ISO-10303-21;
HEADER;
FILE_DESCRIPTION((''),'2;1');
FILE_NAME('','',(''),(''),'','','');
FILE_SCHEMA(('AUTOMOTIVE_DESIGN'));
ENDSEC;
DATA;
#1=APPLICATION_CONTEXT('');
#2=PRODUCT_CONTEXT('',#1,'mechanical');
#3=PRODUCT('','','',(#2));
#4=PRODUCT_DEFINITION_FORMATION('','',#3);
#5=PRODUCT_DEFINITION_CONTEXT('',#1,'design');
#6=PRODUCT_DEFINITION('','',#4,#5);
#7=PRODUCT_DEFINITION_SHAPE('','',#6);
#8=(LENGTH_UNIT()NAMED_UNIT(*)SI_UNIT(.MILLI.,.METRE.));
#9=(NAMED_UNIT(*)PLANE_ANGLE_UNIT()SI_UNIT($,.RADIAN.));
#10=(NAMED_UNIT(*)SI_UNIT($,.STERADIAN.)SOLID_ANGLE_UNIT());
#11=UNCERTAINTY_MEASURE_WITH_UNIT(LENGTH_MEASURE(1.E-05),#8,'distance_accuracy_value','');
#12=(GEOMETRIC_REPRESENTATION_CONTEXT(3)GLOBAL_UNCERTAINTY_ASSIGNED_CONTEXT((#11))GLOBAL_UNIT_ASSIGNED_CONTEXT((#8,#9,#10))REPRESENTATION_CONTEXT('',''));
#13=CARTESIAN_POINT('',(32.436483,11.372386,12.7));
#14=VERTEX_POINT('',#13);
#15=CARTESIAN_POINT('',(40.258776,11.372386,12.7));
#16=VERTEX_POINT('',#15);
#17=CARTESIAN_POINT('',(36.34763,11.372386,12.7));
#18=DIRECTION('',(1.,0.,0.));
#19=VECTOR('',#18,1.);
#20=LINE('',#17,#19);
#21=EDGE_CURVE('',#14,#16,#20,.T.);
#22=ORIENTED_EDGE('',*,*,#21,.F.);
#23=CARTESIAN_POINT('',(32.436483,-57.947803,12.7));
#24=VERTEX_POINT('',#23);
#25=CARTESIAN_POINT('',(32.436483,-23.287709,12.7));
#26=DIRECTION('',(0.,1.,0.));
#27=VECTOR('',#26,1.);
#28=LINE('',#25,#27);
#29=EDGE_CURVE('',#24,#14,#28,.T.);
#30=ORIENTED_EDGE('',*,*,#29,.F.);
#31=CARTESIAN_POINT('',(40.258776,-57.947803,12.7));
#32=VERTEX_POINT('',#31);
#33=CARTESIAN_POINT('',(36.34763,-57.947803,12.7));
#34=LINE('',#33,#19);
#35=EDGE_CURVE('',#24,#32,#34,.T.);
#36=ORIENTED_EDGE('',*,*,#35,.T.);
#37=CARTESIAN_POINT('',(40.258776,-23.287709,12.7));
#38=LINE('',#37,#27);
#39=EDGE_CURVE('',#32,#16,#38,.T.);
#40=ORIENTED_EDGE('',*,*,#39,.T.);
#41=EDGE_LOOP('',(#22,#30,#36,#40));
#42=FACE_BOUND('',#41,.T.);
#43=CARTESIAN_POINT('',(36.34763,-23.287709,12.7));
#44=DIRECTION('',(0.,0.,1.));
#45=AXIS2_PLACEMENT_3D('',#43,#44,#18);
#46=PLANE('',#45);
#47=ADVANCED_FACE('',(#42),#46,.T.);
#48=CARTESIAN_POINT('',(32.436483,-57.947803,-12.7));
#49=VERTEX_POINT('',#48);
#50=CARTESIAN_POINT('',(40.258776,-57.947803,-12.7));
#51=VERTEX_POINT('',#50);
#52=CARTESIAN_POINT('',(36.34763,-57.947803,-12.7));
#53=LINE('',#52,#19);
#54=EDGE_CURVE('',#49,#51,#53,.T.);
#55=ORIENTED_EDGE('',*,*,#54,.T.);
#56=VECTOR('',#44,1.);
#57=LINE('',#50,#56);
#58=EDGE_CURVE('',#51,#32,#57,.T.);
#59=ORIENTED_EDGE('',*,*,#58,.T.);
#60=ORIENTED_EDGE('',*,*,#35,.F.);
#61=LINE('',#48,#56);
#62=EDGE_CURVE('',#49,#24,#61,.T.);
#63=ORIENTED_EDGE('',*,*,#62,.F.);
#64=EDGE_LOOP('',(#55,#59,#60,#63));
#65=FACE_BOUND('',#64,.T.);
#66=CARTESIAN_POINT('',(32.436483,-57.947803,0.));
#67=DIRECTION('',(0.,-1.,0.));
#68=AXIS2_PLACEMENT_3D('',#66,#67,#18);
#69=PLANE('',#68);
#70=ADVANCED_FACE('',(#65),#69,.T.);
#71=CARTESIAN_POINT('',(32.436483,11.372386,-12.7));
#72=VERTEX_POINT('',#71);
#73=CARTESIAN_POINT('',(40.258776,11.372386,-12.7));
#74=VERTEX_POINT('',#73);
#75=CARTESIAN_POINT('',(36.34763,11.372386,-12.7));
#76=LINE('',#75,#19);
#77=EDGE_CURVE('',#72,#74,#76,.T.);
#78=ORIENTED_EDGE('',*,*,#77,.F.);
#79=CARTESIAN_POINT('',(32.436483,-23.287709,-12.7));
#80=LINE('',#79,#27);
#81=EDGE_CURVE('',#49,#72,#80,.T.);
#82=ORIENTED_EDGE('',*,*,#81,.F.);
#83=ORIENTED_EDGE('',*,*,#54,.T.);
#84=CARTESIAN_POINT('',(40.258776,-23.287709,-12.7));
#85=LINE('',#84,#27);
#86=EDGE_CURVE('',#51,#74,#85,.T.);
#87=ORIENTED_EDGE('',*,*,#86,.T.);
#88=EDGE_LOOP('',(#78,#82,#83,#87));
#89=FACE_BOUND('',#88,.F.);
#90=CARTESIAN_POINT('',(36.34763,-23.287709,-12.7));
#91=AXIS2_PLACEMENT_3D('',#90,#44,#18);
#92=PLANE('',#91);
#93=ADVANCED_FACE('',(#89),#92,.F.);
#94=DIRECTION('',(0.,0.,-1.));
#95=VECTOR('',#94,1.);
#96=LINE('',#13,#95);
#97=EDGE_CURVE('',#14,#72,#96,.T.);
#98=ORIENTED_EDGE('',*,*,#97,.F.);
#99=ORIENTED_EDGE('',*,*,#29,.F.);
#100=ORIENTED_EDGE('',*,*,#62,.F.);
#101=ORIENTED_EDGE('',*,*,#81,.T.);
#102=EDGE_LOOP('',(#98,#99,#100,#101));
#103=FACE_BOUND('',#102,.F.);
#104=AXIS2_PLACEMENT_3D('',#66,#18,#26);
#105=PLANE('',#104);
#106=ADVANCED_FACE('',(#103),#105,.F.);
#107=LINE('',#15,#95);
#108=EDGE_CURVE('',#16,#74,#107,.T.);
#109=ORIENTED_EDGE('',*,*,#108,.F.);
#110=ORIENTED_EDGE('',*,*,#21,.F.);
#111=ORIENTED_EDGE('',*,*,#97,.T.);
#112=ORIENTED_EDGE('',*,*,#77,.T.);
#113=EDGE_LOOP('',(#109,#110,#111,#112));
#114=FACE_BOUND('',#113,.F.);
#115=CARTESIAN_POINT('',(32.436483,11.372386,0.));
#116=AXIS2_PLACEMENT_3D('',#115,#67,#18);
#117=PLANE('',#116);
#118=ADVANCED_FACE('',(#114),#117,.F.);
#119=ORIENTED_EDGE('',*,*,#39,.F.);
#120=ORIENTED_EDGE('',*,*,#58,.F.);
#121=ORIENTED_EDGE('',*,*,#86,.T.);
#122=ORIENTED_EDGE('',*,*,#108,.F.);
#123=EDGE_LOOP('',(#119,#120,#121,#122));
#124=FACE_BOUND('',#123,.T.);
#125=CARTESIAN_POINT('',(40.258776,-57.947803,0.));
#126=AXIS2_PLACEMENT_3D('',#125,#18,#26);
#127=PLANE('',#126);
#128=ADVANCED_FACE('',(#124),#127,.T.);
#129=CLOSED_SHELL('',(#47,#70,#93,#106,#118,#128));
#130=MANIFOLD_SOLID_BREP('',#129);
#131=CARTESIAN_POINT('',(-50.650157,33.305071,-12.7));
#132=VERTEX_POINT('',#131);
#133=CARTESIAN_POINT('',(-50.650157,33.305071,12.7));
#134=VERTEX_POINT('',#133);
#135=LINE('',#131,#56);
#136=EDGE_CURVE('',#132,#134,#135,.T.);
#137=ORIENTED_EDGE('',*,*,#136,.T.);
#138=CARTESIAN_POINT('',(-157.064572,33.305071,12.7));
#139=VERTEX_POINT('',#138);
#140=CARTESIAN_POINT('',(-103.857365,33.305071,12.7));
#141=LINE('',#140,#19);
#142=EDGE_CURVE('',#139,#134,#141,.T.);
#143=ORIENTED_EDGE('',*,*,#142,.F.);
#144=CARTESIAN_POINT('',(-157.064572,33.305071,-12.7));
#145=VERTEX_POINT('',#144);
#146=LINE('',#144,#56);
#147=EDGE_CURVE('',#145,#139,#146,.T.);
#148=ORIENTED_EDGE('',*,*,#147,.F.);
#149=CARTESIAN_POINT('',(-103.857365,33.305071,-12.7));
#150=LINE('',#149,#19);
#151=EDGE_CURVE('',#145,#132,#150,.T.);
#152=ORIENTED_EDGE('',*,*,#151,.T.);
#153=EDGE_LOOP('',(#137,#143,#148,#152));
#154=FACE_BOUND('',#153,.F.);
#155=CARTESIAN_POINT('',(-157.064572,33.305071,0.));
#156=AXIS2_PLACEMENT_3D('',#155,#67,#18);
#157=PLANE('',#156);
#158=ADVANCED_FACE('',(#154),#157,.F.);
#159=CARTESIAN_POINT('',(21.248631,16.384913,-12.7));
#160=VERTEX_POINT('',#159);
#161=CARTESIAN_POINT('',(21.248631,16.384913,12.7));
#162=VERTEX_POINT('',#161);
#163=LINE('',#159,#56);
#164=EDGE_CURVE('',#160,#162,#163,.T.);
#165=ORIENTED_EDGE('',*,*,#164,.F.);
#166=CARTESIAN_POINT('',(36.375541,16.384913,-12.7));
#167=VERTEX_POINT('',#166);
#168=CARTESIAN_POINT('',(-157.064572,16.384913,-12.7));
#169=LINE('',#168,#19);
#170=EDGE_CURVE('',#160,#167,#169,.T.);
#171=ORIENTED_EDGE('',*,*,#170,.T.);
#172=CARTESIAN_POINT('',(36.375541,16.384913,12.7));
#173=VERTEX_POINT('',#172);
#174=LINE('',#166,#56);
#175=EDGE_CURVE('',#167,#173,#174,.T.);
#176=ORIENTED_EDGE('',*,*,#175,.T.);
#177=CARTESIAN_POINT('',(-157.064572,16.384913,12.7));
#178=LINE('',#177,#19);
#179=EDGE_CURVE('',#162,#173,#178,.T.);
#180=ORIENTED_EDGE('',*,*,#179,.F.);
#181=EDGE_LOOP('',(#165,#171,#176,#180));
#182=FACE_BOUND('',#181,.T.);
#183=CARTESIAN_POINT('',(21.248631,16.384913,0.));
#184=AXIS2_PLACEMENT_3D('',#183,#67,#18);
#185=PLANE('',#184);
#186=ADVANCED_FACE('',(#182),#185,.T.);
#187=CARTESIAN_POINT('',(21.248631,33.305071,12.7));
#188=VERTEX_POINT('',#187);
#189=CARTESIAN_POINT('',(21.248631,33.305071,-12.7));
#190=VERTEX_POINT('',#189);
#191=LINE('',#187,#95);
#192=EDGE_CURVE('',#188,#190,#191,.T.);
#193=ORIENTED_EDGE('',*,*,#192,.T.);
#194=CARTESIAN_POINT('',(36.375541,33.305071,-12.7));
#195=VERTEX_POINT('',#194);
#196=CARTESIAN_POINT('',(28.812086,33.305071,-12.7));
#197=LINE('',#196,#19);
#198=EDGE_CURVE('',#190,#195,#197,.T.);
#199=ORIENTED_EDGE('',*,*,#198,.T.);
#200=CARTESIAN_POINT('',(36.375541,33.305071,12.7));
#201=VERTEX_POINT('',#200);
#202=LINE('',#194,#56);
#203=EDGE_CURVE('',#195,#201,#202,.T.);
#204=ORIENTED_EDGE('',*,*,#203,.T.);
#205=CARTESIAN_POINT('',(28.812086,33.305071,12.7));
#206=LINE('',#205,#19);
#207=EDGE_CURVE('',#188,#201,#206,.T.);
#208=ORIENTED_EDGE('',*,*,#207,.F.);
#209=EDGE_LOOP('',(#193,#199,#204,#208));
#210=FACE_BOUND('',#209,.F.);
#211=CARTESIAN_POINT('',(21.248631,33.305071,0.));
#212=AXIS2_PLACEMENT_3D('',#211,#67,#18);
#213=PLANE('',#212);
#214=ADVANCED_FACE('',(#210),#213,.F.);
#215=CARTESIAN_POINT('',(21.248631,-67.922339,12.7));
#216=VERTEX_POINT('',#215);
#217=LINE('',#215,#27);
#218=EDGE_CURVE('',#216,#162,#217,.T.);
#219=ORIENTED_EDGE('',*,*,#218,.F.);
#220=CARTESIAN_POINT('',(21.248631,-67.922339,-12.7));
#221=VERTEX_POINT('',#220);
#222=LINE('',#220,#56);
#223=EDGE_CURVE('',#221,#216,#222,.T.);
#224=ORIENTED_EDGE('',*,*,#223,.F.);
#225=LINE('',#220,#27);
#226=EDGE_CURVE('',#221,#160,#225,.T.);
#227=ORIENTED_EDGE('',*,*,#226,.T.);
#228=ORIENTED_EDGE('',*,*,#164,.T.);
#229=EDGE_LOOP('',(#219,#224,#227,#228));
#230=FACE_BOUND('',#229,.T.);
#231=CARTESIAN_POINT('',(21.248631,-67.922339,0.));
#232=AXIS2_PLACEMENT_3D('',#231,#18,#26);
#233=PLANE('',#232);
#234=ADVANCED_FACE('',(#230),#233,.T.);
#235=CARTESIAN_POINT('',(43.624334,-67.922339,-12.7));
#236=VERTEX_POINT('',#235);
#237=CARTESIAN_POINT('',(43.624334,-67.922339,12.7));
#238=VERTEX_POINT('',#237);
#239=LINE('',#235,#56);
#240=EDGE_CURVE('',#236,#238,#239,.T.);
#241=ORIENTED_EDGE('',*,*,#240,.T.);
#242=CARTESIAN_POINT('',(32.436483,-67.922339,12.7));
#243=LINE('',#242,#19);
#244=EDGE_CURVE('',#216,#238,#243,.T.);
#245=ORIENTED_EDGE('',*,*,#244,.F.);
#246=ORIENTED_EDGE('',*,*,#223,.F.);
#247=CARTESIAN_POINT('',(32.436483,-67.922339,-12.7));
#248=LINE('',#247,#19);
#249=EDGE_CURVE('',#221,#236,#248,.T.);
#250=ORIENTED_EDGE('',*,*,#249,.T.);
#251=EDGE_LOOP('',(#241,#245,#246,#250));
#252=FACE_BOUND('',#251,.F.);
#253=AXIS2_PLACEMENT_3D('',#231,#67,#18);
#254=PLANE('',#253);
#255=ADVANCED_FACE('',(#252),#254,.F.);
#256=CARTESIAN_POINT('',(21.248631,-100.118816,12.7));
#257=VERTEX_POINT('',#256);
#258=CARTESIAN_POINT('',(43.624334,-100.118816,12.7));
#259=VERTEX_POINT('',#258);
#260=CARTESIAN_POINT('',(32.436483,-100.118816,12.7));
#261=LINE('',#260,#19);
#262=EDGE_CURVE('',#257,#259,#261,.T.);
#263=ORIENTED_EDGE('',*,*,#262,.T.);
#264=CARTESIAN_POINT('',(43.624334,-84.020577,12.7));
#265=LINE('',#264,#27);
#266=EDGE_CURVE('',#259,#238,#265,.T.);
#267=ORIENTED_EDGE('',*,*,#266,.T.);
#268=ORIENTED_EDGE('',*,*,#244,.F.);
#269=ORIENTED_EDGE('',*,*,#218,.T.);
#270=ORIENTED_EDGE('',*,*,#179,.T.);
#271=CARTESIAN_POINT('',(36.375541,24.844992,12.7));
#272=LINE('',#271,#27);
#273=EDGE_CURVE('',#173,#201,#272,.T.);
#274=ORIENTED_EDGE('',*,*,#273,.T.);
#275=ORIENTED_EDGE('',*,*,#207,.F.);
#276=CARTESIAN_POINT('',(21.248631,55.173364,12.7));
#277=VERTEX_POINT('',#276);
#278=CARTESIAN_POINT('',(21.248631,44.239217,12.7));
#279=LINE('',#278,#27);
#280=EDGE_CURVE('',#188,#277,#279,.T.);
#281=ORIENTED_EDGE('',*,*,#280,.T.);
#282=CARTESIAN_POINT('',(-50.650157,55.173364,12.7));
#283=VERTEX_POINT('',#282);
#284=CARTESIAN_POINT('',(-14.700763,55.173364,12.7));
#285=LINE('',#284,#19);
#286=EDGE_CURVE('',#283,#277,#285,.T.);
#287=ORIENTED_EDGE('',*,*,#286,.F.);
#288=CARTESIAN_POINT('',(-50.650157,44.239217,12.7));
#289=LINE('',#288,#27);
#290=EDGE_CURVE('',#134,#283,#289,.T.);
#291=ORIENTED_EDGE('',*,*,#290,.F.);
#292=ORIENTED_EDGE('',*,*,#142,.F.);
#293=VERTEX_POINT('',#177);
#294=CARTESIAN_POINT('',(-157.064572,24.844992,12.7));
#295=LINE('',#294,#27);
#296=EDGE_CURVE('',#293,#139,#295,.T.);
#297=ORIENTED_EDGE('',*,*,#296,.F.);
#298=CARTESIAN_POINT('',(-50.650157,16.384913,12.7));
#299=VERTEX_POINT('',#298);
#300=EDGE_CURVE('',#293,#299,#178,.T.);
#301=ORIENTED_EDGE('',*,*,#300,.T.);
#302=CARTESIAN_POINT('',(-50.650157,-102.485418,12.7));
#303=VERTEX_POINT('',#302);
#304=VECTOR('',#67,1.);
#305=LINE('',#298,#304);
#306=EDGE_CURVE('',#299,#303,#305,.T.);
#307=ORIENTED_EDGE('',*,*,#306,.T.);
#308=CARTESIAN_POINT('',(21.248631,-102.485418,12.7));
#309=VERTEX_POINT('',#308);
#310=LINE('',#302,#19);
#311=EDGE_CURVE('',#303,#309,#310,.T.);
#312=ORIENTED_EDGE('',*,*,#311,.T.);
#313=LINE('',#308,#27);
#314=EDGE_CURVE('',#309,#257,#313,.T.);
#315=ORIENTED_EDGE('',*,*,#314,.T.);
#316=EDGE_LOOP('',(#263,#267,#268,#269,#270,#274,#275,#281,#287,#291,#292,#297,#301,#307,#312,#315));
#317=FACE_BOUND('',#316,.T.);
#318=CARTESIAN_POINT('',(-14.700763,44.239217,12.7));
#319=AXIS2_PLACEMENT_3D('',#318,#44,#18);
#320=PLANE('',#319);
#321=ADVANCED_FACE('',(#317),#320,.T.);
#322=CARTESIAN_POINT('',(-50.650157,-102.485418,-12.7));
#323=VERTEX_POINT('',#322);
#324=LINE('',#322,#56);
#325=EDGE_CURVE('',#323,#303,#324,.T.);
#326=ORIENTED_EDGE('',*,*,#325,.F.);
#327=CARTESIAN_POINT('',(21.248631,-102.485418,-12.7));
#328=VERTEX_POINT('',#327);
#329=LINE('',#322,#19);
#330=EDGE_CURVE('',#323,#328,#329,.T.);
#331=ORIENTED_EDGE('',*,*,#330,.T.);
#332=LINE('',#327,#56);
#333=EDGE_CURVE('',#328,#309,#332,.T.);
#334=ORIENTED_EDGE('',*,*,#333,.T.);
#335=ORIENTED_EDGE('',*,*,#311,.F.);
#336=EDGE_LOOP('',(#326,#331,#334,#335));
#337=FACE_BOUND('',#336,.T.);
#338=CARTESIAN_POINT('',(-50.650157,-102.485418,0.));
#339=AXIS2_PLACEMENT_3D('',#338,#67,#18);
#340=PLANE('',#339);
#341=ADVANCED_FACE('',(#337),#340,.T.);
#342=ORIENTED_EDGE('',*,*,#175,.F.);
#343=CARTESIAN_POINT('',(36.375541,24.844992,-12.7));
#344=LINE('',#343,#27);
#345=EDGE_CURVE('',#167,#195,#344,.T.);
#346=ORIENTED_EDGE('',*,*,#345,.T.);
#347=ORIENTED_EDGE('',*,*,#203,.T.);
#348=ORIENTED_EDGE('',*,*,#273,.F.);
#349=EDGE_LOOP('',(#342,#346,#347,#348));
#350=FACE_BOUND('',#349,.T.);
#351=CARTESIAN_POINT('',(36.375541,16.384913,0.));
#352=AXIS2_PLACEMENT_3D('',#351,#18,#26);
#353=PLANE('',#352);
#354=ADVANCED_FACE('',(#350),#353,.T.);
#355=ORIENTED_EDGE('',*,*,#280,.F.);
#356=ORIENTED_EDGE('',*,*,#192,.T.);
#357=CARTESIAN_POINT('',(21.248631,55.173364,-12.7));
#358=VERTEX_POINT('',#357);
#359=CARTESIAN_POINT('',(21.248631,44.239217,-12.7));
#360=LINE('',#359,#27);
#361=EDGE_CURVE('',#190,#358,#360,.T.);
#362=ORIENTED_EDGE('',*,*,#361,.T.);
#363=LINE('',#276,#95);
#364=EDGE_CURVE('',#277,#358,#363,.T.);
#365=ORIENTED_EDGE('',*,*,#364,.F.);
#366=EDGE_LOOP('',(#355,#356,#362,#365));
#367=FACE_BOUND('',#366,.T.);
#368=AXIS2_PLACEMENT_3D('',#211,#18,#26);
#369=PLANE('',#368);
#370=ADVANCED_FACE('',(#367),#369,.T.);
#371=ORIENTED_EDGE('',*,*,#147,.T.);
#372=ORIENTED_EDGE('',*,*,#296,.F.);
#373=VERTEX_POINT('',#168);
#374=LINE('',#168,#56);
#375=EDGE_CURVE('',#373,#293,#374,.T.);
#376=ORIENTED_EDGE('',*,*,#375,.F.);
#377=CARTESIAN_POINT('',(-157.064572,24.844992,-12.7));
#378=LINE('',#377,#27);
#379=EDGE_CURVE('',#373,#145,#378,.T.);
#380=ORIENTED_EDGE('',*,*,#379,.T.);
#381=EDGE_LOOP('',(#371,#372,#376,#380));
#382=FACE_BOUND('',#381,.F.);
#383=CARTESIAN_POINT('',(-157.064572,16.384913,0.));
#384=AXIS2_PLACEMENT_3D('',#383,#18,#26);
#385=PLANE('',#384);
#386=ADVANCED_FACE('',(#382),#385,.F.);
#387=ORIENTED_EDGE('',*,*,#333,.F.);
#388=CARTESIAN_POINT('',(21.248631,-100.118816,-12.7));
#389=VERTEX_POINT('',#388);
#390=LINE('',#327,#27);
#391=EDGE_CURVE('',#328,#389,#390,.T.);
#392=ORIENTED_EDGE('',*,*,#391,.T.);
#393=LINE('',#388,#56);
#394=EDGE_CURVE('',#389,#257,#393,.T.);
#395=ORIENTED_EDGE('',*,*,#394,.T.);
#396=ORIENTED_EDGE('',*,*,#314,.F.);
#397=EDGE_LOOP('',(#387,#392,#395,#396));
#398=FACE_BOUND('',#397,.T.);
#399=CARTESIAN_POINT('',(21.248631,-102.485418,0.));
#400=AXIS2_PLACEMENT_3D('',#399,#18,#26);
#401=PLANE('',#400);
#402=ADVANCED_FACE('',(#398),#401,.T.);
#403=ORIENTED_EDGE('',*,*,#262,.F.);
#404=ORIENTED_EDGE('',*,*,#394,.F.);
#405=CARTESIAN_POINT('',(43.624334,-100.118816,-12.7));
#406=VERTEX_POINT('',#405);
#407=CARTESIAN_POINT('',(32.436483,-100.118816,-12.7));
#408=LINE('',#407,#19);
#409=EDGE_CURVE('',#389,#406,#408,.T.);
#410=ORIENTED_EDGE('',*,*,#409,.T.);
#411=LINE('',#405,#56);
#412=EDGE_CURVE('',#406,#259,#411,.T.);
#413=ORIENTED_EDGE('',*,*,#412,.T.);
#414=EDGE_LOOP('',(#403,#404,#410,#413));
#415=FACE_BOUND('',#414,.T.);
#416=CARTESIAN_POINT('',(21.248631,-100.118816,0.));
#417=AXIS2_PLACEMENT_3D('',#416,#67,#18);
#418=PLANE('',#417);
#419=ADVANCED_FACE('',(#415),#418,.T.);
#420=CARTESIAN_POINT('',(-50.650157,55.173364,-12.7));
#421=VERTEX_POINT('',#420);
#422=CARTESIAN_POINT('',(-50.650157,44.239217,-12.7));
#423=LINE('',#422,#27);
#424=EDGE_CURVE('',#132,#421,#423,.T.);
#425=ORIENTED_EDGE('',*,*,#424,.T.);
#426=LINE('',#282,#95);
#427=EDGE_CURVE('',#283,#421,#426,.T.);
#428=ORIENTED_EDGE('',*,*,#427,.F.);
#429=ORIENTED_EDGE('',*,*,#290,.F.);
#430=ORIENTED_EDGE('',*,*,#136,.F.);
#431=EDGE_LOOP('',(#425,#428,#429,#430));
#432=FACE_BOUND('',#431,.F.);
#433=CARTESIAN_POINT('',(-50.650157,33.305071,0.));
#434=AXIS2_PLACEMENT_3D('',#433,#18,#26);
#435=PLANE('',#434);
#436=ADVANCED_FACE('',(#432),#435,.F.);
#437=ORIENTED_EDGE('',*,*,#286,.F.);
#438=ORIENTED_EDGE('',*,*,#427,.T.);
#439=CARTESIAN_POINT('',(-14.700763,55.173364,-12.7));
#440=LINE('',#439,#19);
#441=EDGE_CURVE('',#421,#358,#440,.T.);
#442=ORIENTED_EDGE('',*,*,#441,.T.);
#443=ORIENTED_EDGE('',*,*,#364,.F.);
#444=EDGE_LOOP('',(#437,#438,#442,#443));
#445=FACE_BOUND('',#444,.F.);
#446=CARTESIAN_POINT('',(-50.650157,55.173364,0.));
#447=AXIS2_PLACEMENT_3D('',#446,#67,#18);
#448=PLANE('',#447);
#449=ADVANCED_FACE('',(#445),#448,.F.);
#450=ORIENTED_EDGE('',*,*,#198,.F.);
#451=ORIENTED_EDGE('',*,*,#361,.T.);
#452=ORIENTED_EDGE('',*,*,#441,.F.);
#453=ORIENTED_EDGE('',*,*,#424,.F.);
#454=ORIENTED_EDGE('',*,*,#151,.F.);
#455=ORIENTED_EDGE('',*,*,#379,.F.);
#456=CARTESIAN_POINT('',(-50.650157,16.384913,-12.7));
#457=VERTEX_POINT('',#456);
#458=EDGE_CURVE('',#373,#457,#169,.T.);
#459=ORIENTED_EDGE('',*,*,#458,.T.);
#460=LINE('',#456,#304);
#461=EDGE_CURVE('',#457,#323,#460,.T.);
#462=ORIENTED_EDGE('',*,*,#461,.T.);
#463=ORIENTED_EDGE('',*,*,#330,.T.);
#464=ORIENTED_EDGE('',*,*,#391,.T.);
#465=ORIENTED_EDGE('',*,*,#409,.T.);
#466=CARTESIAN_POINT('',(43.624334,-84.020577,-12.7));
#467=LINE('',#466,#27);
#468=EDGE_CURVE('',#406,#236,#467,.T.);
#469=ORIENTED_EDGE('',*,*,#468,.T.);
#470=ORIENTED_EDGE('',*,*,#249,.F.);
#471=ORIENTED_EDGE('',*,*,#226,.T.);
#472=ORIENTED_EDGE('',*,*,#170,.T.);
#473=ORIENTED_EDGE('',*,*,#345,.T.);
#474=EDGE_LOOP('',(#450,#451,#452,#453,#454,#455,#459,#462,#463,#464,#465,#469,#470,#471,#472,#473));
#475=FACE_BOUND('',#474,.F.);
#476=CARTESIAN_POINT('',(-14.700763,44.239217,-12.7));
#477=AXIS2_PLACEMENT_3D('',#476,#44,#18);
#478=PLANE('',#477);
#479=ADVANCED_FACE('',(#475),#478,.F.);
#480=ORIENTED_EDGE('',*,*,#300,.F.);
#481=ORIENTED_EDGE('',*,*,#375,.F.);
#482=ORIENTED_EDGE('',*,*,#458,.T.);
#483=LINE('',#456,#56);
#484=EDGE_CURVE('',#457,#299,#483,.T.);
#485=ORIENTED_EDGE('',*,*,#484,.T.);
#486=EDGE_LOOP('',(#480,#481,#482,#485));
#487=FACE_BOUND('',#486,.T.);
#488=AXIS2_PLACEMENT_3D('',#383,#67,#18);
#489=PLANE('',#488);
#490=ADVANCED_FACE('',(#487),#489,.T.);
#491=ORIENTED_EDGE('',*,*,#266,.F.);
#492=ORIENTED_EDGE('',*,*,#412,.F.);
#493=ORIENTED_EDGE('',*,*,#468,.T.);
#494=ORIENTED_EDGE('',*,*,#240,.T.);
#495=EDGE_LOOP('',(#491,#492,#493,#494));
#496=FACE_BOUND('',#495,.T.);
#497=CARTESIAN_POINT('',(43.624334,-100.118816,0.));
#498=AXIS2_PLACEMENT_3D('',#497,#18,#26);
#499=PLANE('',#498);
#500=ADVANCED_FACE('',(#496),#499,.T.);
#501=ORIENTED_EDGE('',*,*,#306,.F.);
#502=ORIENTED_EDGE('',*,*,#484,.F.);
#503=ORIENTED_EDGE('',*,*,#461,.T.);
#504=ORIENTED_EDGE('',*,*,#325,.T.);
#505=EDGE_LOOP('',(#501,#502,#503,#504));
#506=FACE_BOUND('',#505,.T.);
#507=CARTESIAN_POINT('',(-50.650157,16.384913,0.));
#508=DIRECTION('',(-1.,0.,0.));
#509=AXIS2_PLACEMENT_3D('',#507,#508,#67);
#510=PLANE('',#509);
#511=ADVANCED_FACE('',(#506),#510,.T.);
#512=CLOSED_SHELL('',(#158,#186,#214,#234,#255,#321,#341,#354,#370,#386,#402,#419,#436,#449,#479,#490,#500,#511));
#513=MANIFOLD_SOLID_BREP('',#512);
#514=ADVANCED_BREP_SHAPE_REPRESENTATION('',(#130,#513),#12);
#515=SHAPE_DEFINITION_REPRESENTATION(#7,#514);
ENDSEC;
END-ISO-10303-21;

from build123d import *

# Parameters (mm, degrees)
F0_W     = 7.8222937882
F0_H     = 69.3201888353
F1_DEPTH = 12.7
F0_W_2   = 71.8987882137
F0_H_2   = 21.8682922423
F0_W_3   = 106.4144149423
F0_H_3   = 16.9201586396
F0_W_4   = 15.1269100606
F0_W_5   = 22.375702858
F0_H_4   = 32.1964770555


with BuildPart() as f1:
    # F0 (on Top) → F1 (new body, symmetric)
    with BuildSketch(Plane.XY):
        with Locations((36.3476295024, -23.2877088711)):
            Rectangle(F0_W, F0_H)
    extrude(amount=F1_DEPTH, both=True)


with BuildPart() as f1b:
    # F0 (on Top) → F1, piece 2 (new body, symmetric)
    with BuildSketch(Plane.XY):
        with Locations((-14.7007629275, 44.2392174155)):
            Rectangle(F0_W_2, F0_H_2)
        with Locations((-103.8573645055, 24.8449919745)):
            Rectangle(F0_W_3, F0_H_3)
        with Locations((28.8120862097, 24.8449919745)):
            Rectangle(F0_W_4, F0_H_3)
        with Locations((32.4364826083, -84.0205773711)):
            Rectangle(F0_W_5, F0_H_4)
        with Locations((-14.7007629275, 24.8449919745)):
            Rectangle(F0_W_2, F0_H_3)
        Polygon((21.2486311793, 16.3849126548), (-50.6501570344, 16.3849126548), (-50.6501570344, -102.4854183197), (21.2486311793, -102.4854183197), (21.2486311793, -100.1188158989), (21.2486311793, -67.9223388433), align=None)
    extrude(amount=F1_DEPTH, both=True)


solid = Compound([f1.part, f1b.part])
